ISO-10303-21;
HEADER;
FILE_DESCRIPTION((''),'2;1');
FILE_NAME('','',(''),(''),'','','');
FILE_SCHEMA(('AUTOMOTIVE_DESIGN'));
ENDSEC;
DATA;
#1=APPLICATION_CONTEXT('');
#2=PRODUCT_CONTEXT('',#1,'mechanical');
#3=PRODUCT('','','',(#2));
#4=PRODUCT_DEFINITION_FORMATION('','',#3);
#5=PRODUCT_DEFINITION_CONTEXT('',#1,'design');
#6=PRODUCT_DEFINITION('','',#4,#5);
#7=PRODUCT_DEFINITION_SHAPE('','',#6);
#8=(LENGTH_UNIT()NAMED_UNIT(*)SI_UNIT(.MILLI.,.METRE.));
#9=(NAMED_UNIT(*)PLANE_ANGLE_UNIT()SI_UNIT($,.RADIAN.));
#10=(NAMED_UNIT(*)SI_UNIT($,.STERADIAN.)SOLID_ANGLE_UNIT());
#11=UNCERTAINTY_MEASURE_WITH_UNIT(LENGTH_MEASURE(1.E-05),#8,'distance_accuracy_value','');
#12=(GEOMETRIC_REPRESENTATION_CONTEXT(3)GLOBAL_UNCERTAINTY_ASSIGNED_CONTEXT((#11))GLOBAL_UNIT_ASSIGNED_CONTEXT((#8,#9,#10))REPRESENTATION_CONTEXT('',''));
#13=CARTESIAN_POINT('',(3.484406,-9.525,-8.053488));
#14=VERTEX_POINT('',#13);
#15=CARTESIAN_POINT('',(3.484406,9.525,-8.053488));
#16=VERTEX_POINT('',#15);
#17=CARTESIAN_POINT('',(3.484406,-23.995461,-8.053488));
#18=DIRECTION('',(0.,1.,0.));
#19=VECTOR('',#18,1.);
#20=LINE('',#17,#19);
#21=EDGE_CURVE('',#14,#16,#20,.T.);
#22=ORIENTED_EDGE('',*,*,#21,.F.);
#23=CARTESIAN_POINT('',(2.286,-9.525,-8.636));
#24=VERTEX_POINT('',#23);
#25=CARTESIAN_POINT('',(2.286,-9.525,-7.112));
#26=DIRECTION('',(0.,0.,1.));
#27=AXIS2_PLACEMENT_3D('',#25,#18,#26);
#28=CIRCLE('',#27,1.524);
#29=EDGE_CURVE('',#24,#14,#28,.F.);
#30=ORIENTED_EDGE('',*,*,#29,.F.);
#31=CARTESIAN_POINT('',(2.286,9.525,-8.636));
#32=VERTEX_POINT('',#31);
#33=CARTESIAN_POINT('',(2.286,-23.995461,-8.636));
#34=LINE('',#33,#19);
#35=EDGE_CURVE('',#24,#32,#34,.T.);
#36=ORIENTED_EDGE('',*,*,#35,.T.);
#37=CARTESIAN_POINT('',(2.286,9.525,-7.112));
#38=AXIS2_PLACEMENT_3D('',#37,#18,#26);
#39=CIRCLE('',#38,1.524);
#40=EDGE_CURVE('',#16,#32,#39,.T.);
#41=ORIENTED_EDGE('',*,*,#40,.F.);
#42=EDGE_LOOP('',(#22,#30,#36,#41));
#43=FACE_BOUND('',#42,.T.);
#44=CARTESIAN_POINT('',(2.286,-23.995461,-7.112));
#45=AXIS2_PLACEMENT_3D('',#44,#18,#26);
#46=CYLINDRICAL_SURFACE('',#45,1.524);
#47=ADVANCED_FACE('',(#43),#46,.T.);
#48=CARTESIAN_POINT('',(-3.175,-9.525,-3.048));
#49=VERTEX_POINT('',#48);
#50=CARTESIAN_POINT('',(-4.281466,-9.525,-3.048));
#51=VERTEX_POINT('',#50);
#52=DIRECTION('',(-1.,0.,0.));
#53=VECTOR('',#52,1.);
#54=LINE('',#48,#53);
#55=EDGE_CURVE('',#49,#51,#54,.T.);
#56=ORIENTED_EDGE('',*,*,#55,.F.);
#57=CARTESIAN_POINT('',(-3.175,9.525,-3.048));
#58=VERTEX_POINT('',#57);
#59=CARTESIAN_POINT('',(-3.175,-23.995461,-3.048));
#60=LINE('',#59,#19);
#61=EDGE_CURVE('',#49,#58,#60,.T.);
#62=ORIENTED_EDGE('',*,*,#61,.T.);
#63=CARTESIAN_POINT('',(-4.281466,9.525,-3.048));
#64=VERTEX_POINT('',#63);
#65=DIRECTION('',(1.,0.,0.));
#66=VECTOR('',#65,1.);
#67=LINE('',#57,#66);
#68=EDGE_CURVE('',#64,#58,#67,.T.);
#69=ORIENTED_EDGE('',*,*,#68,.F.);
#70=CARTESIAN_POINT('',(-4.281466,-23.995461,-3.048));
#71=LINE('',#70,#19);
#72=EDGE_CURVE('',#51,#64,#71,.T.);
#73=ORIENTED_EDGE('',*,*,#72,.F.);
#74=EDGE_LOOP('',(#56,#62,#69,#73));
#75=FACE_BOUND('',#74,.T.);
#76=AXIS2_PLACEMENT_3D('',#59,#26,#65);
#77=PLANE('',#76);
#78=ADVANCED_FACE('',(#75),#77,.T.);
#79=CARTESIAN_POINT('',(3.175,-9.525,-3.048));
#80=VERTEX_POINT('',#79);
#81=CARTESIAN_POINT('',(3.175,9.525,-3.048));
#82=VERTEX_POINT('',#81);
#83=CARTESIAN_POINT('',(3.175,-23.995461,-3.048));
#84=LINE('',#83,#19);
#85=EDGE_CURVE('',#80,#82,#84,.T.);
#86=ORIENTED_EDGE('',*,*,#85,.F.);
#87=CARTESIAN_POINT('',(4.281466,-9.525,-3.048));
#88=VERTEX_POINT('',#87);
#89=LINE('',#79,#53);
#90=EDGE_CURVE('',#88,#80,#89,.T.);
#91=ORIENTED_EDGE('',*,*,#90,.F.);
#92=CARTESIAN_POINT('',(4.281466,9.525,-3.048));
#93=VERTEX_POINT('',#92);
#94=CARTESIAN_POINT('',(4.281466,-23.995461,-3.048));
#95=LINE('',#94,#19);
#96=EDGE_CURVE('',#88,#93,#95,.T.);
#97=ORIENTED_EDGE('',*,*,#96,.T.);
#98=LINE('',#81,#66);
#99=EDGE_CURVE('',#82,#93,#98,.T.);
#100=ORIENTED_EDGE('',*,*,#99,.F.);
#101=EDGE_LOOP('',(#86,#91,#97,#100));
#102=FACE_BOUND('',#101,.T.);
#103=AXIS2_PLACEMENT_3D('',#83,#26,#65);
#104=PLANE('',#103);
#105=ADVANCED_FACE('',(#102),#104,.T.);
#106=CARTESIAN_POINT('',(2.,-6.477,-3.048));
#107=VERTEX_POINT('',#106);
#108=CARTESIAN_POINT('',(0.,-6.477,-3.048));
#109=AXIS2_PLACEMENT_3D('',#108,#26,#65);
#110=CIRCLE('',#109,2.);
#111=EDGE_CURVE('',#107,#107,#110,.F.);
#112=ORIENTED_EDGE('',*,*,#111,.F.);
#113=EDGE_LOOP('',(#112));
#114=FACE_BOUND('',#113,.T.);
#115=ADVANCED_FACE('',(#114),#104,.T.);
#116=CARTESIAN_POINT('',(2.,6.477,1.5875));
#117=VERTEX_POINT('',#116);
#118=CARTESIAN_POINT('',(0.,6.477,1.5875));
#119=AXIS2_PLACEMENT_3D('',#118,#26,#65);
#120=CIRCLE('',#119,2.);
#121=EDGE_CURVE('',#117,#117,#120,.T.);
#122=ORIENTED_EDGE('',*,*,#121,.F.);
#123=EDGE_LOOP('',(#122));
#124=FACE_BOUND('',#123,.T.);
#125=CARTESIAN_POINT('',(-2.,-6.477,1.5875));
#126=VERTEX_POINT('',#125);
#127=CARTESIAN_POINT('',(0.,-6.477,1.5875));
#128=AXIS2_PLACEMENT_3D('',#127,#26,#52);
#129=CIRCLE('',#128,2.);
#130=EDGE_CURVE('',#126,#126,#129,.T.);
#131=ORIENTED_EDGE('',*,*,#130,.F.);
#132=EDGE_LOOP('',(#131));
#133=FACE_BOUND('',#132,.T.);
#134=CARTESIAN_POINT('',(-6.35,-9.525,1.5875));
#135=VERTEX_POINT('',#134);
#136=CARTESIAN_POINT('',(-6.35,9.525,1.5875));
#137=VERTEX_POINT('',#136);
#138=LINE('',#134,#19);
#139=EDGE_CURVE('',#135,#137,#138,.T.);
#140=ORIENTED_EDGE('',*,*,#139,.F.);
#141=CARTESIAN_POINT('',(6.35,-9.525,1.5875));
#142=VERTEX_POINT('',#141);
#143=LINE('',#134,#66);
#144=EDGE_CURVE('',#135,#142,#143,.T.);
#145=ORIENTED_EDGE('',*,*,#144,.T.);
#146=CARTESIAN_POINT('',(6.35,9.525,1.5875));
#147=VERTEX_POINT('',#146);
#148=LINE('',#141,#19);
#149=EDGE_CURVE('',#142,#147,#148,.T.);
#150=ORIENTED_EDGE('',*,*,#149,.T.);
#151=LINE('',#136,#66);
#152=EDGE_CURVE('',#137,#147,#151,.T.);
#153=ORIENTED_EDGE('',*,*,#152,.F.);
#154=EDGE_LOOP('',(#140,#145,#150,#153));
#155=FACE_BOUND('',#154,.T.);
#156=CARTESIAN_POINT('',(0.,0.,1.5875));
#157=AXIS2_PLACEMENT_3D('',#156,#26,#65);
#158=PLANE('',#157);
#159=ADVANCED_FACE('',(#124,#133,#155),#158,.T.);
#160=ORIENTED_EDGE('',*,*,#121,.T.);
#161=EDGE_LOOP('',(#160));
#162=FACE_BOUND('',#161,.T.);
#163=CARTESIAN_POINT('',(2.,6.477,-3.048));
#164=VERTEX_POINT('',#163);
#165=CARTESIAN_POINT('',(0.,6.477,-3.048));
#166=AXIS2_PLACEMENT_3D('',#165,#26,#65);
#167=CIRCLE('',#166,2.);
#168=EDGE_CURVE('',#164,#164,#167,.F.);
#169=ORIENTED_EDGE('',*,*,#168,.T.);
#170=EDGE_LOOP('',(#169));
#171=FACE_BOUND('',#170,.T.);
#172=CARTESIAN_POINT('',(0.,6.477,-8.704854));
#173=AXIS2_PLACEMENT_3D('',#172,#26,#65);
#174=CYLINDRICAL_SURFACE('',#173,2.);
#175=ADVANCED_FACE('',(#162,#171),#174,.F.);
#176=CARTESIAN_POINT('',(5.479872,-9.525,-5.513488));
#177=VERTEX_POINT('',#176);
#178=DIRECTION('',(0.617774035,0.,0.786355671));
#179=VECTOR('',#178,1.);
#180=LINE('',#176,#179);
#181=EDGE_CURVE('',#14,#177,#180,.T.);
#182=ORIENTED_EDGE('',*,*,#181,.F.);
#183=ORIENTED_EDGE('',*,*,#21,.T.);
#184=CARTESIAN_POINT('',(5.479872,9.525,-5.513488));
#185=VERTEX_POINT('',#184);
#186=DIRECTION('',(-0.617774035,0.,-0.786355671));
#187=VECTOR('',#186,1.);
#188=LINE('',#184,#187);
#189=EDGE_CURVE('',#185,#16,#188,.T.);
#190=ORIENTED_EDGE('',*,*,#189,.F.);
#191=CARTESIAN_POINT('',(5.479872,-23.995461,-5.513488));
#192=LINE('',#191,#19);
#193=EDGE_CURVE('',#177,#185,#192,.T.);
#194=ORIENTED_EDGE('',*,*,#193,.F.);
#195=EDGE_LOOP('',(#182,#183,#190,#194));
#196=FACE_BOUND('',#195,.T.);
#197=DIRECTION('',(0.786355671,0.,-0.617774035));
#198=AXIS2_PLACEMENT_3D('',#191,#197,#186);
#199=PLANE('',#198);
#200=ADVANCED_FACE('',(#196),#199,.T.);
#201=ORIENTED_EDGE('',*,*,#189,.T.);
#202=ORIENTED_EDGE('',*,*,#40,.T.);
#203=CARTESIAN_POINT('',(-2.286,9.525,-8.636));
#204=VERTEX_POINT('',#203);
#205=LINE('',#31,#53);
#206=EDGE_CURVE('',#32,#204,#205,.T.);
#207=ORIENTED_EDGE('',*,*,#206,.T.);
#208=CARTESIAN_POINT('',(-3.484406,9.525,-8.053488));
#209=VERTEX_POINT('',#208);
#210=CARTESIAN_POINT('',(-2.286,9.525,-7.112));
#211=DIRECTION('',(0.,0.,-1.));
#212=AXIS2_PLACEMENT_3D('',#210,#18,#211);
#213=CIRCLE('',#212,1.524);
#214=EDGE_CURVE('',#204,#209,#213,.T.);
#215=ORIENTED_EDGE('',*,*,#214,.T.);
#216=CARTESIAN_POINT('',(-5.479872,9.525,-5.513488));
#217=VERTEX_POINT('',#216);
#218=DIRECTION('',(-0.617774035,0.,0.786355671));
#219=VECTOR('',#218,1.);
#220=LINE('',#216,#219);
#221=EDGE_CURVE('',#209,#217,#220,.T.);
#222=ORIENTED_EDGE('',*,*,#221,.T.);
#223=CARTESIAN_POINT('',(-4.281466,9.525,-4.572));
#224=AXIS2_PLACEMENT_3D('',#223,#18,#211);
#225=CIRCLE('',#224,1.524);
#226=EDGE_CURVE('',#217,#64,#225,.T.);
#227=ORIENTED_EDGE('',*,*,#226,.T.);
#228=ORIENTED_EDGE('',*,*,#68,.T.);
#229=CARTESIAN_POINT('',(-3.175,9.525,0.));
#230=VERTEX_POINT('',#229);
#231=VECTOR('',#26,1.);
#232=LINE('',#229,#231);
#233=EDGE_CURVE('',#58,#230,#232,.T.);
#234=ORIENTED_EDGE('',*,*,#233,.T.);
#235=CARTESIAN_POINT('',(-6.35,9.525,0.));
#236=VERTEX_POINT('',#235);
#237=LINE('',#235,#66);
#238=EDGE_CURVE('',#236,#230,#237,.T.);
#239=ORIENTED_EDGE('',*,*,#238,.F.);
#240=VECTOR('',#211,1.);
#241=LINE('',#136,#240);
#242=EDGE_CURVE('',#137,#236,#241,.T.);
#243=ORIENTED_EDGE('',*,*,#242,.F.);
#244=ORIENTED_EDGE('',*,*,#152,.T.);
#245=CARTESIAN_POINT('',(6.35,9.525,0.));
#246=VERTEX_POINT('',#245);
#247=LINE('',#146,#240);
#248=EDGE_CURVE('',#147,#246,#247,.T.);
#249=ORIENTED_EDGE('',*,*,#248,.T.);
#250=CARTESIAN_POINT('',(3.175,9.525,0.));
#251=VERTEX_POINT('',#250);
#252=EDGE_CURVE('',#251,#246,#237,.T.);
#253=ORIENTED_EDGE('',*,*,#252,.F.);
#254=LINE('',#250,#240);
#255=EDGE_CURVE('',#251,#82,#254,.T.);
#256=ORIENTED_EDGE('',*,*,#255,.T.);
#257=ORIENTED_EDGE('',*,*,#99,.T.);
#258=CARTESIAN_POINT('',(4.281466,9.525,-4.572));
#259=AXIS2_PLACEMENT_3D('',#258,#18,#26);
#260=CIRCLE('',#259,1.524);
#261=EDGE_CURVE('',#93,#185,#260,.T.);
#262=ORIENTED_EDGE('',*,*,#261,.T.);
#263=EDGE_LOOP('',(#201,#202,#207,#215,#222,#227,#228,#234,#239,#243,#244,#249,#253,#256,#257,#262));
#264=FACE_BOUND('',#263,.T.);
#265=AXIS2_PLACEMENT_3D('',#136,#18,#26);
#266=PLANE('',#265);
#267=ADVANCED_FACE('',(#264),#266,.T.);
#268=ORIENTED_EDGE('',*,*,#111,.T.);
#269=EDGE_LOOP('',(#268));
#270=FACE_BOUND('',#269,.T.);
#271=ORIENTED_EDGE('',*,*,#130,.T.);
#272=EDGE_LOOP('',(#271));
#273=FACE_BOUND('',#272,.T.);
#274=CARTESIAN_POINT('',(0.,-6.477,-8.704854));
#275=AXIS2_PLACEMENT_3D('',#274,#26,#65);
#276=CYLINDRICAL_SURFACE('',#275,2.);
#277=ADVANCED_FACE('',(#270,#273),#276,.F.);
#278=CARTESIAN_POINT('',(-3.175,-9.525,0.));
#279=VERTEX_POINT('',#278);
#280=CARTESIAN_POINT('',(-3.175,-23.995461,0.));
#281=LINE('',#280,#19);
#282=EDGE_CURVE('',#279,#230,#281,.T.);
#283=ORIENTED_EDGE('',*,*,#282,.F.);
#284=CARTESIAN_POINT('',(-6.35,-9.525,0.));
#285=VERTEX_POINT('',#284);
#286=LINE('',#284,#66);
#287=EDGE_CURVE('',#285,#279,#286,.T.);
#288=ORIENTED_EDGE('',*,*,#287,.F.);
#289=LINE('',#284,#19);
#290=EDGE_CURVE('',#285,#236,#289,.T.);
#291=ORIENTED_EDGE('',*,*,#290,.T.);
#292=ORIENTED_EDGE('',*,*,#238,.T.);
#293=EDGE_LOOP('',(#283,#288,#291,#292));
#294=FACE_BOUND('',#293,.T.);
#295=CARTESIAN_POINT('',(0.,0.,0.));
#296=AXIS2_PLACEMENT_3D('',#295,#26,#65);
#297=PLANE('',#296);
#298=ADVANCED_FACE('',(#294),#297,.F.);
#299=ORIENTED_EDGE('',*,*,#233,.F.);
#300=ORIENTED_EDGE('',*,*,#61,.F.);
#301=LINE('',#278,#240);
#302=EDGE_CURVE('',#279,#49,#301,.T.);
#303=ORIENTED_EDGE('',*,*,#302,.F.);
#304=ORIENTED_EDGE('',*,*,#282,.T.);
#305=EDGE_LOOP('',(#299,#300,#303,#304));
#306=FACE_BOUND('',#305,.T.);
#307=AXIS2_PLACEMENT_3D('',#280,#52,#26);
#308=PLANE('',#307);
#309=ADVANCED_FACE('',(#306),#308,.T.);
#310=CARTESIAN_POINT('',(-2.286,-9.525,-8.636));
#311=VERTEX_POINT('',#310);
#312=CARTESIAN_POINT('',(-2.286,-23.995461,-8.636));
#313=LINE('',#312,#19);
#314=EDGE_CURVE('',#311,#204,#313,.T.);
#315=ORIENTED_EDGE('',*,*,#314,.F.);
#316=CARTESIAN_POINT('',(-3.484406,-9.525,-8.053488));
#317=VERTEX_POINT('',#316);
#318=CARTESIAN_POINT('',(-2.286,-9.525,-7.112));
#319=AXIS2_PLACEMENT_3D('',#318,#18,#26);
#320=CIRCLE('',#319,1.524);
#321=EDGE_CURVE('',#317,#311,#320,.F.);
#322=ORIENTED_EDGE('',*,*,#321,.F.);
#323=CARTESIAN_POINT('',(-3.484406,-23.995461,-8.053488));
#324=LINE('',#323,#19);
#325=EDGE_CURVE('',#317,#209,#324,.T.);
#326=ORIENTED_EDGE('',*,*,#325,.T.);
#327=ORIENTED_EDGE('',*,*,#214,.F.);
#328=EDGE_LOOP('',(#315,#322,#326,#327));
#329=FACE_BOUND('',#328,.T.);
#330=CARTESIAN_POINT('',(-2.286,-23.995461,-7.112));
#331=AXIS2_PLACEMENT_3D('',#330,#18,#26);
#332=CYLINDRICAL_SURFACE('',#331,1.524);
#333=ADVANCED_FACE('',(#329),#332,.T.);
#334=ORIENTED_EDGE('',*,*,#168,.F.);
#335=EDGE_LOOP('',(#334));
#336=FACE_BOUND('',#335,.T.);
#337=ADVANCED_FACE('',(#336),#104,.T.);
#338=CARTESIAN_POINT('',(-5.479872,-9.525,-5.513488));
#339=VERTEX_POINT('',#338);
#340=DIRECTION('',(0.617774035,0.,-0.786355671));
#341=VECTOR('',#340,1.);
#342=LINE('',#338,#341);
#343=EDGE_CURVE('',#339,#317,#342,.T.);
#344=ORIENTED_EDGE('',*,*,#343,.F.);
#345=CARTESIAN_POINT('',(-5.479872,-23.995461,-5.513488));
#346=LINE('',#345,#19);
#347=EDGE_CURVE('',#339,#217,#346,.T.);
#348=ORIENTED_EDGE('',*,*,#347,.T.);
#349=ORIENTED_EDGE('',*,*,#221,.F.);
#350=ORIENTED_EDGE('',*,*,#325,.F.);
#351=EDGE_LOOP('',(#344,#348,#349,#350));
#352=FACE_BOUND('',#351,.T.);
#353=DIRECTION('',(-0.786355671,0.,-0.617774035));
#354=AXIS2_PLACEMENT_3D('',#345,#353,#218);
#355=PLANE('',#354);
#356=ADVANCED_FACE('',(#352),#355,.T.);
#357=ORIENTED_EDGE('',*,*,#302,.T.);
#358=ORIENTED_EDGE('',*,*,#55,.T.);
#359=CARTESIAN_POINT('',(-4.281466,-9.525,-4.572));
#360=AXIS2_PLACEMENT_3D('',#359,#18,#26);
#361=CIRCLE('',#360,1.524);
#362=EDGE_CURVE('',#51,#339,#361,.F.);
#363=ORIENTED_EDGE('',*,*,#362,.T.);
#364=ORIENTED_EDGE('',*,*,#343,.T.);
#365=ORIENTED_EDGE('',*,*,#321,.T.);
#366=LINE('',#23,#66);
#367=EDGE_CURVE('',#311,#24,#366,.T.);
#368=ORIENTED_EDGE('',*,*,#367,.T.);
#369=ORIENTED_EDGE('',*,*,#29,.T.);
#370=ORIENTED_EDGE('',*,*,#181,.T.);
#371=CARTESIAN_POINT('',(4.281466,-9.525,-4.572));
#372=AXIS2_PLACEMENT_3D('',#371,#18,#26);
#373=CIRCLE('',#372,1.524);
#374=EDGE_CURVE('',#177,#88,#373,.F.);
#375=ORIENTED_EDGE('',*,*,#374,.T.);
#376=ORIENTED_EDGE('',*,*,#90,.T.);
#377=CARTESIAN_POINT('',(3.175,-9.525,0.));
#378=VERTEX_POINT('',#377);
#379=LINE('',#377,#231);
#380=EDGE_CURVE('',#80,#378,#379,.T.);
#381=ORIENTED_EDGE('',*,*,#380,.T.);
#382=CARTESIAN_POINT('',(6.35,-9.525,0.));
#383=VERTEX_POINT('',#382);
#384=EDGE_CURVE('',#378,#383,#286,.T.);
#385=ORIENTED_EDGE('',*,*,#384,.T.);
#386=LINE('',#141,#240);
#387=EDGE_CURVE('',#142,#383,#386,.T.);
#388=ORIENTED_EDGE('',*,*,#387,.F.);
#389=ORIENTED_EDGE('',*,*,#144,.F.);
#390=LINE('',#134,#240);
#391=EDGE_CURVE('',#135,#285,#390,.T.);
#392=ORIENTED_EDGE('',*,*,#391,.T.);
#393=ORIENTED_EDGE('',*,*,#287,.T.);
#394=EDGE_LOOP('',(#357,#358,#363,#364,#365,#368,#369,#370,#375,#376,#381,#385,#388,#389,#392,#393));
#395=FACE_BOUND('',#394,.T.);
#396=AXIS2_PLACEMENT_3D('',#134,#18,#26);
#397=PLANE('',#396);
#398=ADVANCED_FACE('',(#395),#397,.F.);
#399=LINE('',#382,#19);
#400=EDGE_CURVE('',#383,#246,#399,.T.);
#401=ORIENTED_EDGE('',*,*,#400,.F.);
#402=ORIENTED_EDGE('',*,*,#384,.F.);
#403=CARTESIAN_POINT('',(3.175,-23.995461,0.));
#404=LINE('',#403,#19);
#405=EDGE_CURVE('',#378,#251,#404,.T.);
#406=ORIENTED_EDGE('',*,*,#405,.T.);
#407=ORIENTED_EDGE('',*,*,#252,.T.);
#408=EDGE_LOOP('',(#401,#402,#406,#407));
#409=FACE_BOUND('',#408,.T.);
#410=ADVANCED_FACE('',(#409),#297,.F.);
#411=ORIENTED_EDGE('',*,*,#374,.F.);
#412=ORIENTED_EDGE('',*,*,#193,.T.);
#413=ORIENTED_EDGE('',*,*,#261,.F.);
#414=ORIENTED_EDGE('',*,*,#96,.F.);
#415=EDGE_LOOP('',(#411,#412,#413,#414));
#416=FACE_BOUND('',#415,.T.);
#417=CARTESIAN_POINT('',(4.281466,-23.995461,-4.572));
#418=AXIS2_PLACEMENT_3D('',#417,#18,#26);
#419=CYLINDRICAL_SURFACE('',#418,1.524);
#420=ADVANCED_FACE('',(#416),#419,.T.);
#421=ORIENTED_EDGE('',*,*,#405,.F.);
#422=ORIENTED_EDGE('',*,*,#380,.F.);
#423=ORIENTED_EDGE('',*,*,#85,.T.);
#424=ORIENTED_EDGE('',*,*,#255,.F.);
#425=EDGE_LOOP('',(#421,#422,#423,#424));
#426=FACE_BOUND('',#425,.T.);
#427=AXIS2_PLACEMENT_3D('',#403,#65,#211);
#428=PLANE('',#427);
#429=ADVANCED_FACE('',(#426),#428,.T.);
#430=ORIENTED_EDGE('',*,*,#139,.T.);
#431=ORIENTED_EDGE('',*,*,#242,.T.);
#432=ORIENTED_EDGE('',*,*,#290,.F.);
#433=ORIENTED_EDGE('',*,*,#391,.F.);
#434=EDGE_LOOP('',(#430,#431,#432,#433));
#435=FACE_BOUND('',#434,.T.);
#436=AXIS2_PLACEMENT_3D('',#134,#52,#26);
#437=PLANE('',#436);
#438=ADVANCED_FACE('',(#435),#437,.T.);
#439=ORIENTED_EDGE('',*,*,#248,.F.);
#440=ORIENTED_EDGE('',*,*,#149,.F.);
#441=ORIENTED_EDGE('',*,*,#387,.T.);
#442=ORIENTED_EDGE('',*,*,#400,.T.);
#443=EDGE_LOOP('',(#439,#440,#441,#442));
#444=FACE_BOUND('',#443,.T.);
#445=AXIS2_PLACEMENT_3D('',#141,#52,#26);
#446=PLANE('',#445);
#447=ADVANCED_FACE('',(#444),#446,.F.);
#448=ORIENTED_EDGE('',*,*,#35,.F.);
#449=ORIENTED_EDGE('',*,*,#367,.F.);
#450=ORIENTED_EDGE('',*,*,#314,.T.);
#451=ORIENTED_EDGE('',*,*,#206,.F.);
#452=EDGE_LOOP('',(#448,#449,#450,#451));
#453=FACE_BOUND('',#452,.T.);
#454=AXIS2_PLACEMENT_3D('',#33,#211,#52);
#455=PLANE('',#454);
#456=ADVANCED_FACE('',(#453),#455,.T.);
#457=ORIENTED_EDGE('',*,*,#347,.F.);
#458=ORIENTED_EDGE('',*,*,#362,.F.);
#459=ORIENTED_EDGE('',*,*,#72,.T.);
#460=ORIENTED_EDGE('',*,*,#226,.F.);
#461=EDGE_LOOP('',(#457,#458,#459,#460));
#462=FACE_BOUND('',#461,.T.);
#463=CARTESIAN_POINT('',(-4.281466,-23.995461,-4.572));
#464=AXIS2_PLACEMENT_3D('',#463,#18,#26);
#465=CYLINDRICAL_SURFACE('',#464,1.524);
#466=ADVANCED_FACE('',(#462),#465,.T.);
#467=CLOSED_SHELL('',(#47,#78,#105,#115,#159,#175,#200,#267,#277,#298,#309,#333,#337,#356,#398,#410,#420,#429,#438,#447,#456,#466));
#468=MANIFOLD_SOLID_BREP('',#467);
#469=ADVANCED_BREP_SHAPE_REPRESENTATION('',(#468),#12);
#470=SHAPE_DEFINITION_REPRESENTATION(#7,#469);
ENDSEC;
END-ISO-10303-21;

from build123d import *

# Parameters (mm, degrees)
SKETCH1_W           = 12.7
SKETCH1_H           = 19.05
BOSS_EXTRUDE1_DEPTH = 1.5875
BOSS_EXTRUDE2_DEPTH = 19.05
SKETCH4_R           = 2
CUT_EXTRUDE1_DEPTH  = 4.6355


with BuildPart() as part:
    # Sketch1 → Boss-Extrude1 (new body)
    with BuildSketch(Plane.XY):
        Rectangle(SKETCH1_W, SKETCH1_H)
    extrude(amount=BOSS_EXTRUDE1_DEPTH)

    # Sketch2 → Boss-Extrude2 (add)
    with BuildSketch(Plane(origin=(0, 9.525, 0), x_dir=(1, 0, 0), z_dir=(0, 1, 0))):
        with BuildLine():
            Line((3.175, 0), (3.175, 3.048))
            Line((3.175, 3.048), (4.281466055, 3.048))
            ThreePointArc((4.281466055, 3.048), (5.652123405, 3.905760984), (5.479872098, 5.513487629))
            Line((5.479872098, 5.513487629), (3.484406043, 8.053487629))
            ThreePointArc((3.484406043, 8.053487629), (2.952239016, 8.482657351), (2.286, 8.636))
            Line((2.286, 8.636), (-2.286, 8.636))
            ThreePointArc((-2.286, 8.636), (-2.952239016, 8.482657351), (-3.484406043, 8.053487629))
            Line((-3.484406043, 8.053487629), (-5.479872098, 5.513487629))
            ThreePointArc((-5.479872098, 5.513487629), (-5.652123405, 3.905760984), (-4.281466055, 3.048))
            Line((-4.281466055, 3.048), (-3.175, 3.048))
            Line((-3.175, 3.048), (-3.175, 0))
            Line((-3.175, 0), (3.175, 0))
        make_face()
    extrude(amount=-BOSS_EXTRUDE2_DEPTH)

    # Sketch4 → Cut-Extrude1 (cut)
    with BuildSketch(Plane.XY.offset(1.5875)):
        with Locations((0, 6.477)):
            Circle(SKETCH4_R)
        with Locations((0, -6.477)):
            Circle(SKETCH4_R)
    extrude(amount=-CUT_EXTRUDE1_DEPTH, mode=Mode.SUBTRACT)


solid = part.part
